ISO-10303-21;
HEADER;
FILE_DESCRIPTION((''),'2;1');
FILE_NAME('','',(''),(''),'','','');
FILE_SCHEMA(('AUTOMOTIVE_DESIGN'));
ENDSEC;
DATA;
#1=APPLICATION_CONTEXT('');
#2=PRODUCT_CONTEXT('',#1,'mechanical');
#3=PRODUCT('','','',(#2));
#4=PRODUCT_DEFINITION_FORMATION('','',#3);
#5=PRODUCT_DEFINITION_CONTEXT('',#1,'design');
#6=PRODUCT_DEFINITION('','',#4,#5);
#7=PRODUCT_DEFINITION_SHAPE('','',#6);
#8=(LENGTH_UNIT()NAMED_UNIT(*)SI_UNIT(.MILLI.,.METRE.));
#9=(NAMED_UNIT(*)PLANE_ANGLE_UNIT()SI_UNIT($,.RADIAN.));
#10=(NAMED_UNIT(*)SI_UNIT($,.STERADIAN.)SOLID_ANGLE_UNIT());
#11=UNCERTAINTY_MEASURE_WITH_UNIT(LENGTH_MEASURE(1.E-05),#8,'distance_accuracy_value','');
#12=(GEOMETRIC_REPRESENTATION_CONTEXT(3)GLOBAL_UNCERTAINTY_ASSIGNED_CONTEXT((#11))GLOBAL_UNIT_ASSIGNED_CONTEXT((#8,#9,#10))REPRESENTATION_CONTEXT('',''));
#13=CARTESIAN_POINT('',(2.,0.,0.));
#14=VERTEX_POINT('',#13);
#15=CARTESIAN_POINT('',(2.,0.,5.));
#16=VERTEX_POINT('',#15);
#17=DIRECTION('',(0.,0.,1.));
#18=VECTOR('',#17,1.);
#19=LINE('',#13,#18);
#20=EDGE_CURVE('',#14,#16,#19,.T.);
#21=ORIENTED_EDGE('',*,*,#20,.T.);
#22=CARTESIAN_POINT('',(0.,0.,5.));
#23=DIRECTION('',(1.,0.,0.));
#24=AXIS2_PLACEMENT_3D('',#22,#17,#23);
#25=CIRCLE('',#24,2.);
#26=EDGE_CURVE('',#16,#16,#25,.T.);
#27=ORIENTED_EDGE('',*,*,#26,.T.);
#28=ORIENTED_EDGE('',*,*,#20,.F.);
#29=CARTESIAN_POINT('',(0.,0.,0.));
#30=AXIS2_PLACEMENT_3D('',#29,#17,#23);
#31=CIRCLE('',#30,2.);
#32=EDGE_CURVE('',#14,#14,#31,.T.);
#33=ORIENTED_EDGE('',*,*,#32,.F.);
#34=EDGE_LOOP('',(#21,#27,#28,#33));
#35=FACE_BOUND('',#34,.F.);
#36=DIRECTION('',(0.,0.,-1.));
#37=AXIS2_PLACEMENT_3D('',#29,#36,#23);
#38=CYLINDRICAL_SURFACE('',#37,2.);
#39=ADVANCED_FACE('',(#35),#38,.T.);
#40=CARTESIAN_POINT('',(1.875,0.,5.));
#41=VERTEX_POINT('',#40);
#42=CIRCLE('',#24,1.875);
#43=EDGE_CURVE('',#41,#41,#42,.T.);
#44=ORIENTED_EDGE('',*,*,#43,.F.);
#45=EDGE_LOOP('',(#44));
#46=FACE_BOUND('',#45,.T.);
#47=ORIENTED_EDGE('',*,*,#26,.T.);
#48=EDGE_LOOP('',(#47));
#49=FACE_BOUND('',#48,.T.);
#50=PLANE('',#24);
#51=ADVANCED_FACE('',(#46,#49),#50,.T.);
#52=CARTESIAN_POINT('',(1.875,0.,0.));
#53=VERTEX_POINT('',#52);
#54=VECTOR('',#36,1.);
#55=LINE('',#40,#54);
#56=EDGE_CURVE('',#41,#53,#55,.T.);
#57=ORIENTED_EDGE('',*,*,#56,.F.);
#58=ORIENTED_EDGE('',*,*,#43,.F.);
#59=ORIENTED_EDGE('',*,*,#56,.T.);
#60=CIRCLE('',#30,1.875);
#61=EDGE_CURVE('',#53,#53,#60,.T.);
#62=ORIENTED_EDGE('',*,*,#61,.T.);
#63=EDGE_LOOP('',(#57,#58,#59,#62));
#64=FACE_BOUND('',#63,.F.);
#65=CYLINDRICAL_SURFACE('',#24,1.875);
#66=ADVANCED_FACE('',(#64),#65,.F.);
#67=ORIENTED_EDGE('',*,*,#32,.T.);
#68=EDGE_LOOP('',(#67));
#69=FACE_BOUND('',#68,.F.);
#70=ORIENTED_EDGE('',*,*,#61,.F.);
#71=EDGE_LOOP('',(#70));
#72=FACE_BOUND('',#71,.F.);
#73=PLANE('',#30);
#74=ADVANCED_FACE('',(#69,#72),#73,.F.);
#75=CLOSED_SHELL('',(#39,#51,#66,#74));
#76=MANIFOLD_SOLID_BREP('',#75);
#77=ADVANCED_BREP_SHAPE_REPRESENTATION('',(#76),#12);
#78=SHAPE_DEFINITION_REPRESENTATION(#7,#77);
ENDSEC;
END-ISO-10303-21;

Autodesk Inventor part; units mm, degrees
ref_plane "YZ Plane" through (0, 0, 0) normal (1, 0, 0) x (0, 1, 0)
ref_plane "XZ Plane" through (0, 0, 0) normal (0, 1, 0) x (-1, 0, 0)
ref_plane "XY Plane" through (0, 0, 0) normal (0, 0, 1) x (1, 0, 0)
sketch "Sketch1" plane through (0, 0, 0) normal (0, 0, 1) x (1, 0, 0)
  circle A0 centre (0, 0) radius 2
  dimension "d0" = 4
extrude "Extrusion1" add sketch "Sketch1" along normal blind 5
sketch "Sketch2" plane through (0, 0, 5) normal (0, 0, 1) x (1, 0, 0)
  circle A0 centre (0, 0) radius 1.875
  dimension "d3" = 3.75
extrude "Extrusion2" cut sketch "Sketch2" against normal blind 5
properties part number "cyan frisbee holder"
